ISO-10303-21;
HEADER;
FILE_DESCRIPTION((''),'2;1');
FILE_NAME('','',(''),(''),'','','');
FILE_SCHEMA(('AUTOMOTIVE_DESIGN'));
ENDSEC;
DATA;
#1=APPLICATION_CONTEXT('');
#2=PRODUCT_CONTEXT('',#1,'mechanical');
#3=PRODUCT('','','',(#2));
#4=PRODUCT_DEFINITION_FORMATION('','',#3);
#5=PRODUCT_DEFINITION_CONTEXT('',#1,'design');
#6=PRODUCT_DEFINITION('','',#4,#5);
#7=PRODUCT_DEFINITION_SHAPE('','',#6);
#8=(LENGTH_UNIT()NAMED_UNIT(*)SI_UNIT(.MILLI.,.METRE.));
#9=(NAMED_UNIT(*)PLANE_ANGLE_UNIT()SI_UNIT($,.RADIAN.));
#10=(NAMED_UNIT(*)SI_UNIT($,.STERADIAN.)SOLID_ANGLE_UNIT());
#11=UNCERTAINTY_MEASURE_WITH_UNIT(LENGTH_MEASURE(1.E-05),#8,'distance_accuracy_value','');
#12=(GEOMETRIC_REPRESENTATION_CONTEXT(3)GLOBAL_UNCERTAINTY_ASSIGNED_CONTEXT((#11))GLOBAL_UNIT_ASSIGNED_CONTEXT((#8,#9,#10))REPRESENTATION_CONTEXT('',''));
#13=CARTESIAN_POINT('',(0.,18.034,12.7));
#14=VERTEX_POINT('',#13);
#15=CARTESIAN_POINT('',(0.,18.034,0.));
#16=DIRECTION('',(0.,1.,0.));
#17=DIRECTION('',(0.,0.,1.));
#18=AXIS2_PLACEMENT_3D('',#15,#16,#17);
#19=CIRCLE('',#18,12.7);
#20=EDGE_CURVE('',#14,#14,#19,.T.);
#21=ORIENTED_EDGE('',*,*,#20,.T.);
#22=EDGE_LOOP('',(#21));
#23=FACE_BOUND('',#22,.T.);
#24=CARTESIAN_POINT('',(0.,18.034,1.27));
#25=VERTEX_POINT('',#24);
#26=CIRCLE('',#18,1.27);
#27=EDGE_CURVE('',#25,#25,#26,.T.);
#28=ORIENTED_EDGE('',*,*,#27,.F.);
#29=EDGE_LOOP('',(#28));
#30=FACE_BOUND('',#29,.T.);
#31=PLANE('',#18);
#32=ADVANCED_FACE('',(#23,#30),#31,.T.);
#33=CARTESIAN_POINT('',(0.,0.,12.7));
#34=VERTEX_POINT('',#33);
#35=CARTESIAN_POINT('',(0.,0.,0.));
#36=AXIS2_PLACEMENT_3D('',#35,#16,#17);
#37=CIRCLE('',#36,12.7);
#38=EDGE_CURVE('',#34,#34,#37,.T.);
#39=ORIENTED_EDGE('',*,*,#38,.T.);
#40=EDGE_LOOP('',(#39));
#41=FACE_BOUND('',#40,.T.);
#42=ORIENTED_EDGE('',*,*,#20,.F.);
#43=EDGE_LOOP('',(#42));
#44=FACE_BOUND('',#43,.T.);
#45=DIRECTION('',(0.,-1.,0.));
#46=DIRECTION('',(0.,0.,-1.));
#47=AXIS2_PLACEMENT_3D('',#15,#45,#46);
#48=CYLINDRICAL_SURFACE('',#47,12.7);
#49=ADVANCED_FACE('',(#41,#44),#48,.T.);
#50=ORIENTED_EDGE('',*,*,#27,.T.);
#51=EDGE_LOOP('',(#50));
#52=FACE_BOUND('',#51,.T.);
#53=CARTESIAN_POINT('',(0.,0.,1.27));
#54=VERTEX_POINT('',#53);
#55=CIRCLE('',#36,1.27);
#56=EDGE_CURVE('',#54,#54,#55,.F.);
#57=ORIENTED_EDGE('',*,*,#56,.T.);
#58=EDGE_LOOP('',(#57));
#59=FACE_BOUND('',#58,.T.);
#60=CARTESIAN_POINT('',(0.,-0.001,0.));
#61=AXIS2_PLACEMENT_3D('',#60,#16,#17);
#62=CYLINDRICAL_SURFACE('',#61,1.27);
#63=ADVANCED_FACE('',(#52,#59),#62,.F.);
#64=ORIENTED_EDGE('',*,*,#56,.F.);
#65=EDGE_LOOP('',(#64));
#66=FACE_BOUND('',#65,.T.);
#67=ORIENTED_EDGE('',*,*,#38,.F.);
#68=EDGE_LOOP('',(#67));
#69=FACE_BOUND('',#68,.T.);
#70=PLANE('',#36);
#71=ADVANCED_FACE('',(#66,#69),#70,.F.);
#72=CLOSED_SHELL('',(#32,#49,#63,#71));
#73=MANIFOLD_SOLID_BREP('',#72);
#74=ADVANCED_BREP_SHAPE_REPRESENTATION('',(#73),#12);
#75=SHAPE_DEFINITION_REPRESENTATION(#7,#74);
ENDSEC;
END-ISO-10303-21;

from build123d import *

# Parameters (mm, degrees)
SKETCH1_R           = 12.7
BOSS_EXTRUDE1_DEPTH = 18.034
CUT_EXTRUDE1_REACH  = 27.452
SKETCH2_R           = 1.27


with BuildPart() as part:
    # Sketch1 → Boss-Extrude1 (new body)
    with BuildSketch(Plane(origin=(0, 0, 0), x_dir=(1, 0, 0), z_dir=(0, 1, 0))):
        with Locations(Location((0, 0, 0), (0, 0, 270))):
            Circle(SKETCH1_R)
    extrude(amount=BOSS_EXTRUDE1_DEPTH)

    # Sketch2 → Cut-Extrude1 (cut, up to next)
    with BuildSketch(Plane(origin=(0, 18.034, 0), x_dir=(1, 0, 0), z_dir=(0, 1, 0)), mode=Mode.PRIVATE) as cut_extrude1_sk1:
        with Locations(Location((0, 0, 0), (0, 0, 270))):
            Circle(SKETCH2_R)
    cut_extrude1_tool1 = extrude(cut_extrude1_sk1.sketch, amount=-CUT_EXTRUDE1_REACH, mode=Mode.PRIVATE) & part.part
    add(cut_extrude1_tool1.solids().sort_by_distance((0, 18.034, 0))[0], mode=Mode.SUBTRACT)


solid = part.part
